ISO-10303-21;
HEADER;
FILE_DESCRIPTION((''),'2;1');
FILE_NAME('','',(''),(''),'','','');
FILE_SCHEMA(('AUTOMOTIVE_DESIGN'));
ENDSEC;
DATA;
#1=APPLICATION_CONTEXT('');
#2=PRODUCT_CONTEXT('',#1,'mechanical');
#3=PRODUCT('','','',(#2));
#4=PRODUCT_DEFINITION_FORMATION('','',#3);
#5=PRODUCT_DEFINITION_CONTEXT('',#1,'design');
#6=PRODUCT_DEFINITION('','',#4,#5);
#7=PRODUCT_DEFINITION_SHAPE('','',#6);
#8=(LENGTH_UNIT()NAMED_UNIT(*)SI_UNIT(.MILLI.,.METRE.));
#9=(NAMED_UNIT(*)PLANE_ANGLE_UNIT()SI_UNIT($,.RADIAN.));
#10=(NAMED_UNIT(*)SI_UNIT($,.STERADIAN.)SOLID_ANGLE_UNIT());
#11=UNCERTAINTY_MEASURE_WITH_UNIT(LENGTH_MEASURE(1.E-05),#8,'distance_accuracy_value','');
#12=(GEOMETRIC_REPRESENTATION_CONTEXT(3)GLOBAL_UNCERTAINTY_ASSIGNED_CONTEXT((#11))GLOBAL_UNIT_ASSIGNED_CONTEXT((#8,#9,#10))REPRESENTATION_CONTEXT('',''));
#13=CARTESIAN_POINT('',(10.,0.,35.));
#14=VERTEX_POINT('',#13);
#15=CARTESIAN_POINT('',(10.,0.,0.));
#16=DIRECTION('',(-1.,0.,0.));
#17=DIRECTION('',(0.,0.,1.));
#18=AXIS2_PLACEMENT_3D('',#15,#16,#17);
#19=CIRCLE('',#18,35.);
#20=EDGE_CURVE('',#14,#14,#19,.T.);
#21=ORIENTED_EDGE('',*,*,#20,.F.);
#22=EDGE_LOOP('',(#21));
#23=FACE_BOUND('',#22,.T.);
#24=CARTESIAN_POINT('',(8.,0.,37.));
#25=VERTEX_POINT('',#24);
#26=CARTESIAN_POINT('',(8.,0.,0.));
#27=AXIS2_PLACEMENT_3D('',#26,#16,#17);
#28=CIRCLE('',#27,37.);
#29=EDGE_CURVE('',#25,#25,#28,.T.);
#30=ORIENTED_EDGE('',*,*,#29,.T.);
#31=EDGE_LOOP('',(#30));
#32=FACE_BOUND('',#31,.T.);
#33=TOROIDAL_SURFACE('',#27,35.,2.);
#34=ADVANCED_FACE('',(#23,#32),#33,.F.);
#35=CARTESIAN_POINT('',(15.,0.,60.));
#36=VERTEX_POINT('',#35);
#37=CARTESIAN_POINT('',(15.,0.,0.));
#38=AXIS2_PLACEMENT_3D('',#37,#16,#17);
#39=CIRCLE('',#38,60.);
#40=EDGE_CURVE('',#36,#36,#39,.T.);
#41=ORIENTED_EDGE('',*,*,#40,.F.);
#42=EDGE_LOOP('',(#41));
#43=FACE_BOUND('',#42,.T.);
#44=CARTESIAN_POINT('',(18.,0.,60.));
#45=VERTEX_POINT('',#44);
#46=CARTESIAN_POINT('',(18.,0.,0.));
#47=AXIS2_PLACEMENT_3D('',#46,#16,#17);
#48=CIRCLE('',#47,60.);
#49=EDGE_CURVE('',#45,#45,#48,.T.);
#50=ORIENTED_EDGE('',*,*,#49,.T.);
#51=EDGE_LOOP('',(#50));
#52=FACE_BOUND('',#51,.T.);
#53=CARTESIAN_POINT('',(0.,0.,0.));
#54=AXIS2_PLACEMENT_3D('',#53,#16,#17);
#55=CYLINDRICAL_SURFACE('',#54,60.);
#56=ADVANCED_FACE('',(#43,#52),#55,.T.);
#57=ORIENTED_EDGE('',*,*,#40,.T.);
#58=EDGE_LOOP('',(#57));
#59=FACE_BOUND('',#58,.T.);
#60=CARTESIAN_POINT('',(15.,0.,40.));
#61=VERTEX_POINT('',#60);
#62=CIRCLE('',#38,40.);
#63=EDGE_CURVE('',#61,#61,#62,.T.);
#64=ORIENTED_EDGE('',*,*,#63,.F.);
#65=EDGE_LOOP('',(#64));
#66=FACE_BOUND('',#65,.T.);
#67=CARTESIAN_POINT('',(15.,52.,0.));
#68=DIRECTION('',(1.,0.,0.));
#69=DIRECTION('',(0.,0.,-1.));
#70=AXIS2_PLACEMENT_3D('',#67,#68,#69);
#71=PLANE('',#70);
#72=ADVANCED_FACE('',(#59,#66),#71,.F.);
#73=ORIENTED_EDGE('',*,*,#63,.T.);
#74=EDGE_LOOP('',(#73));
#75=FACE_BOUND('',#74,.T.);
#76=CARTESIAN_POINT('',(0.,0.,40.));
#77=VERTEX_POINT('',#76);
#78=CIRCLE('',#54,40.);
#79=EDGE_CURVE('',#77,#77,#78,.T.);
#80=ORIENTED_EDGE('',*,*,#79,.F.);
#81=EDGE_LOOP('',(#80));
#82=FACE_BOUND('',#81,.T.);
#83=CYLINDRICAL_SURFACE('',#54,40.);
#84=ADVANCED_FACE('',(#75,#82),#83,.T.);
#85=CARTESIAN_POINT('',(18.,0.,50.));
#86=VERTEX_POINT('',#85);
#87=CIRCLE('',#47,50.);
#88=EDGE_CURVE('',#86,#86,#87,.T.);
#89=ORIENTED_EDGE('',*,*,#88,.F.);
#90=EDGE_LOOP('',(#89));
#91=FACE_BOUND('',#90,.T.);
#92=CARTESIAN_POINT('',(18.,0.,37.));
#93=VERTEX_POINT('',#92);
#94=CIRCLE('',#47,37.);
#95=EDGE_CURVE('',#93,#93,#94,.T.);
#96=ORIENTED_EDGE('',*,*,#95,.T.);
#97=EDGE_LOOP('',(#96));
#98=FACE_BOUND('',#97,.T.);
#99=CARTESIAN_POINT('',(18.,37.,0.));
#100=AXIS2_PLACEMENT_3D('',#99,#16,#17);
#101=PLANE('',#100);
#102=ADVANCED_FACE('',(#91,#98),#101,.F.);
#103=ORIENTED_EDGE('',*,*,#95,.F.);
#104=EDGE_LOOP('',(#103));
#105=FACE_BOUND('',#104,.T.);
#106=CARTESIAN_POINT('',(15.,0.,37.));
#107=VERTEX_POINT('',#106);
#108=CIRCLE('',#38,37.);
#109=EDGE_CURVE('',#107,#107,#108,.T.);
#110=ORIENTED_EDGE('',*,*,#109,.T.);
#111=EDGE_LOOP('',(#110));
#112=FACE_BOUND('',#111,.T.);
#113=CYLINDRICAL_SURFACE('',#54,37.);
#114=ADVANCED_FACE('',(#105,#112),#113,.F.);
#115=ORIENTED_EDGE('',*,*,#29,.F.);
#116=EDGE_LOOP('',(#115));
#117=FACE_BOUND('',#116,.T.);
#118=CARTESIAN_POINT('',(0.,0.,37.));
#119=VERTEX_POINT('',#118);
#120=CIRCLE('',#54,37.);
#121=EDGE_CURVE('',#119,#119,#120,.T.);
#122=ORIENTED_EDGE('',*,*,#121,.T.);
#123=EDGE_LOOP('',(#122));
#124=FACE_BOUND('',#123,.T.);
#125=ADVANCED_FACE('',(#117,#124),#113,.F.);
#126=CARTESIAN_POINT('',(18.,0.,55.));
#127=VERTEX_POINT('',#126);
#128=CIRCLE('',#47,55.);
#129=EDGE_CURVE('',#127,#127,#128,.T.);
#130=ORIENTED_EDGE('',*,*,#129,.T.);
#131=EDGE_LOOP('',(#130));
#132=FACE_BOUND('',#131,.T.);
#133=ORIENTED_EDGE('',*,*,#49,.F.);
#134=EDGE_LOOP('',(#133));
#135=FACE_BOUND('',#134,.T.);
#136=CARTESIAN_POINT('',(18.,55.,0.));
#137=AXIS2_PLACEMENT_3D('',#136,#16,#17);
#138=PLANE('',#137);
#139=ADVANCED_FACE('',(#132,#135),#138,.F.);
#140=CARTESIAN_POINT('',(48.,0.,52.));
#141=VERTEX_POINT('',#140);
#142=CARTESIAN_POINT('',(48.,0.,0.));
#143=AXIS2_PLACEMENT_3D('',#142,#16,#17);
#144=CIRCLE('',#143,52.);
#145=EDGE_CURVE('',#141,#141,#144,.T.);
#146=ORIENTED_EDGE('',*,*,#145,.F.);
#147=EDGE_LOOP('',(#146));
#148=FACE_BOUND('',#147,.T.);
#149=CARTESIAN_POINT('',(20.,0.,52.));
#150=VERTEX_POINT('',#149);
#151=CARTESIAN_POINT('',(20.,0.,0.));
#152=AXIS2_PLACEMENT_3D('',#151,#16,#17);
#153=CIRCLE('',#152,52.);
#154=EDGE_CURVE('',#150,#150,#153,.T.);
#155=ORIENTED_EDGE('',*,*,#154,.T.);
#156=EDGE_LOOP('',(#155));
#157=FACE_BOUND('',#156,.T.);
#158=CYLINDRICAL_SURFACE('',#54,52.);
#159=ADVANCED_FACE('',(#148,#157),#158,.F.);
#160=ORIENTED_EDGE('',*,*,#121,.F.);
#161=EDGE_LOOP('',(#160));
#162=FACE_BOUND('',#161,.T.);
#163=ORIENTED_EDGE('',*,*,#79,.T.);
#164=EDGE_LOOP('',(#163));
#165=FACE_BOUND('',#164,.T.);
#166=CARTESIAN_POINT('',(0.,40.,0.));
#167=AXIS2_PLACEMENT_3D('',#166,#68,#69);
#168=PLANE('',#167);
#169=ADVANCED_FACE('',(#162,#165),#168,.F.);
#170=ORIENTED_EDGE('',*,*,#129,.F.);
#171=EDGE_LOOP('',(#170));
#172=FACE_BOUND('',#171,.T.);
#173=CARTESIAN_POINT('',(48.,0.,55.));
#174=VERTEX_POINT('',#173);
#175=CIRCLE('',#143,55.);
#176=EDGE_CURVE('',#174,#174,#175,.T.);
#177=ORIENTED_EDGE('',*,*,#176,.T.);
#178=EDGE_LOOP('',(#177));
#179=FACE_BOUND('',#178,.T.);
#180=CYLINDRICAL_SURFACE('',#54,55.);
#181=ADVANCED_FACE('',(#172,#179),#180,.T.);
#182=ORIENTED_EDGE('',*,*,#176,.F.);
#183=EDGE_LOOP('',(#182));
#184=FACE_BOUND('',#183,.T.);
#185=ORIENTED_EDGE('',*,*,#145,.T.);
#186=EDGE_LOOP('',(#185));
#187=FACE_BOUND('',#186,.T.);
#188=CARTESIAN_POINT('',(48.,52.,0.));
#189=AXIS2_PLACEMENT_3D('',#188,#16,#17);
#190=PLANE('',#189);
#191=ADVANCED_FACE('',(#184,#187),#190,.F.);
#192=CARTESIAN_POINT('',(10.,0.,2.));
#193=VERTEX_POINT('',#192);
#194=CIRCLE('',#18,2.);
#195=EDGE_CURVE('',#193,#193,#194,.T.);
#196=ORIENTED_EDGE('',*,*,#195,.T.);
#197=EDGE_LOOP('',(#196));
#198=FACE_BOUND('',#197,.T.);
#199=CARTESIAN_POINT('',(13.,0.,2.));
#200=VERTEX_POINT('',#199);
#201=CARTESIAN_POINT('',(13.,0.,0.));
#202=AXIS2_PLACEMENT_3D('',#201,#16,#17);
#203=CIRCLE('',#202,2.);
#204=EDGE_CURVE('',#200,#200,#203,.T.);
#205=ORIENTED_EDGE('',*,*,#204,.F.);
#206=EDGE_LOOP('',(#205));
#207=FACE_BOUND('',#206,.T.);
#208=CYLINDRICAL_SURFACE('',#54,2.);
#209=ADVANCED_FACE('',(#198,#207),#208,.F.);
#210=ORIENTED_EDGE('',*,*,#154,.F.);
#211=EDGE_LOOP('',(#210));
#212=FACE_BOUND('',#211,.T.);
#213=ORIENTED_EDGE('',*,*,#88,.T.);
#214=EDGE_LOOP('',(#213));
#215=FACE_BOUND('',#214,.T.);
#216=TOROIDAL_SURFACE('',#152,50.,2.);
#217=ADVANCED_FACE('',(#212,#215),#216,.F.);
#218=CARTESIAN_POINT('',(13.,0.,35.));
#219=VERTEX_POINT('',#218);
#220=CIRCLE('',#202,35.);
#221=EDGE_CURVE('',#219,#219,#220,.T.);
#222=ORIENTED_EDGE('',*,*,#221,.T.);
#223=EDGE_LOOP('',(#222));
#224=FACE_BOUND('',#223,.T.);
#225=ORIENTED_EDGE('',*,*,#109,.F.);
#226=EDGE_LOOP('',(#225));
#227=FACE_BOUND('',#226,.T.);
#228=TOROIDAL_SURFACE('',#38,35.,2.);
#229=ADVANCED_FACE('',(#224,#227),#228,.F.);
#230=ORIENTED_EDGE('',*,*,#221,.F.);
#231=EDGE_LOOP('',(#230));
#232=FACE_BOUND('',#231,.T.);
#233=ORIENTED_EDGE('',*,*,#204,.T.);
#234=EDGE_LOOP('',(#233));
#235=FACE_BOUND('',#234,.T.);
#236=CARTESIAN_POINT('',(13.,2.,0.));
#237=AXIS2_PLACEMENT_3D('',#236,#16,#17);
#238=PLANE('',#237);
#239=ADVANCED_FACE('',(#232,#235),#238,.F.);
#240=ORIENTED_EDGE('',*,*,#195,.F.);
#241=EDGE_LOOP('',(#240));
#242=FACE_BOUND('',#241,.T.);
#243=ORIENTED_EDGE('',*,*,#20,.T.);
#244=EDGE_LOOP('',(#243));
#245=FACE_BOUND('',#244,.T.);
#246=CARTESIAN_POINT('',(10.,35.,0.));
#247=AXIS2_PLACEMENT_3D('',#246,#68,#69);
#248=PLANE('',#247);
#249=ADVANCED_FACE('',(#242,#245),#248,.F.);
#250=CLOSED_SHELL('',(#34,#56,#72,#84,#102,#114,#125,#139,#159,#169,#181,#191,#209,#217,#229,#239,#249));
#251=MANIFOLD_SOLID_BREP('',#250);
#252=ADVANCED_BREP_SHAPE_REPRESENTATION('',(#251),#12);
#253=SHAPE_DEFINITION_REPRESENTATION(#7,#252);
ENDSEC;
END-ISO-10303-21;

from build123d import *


with BuildPart() as part:
    # Sketch1 → Revolve1 (revolve)
    with BuildSketch(Plane.XY, mode=Mode.PRIVATE) as revolve1_sk:
        with BuildLine():
            Line((0, 40), (0, 37))
            Line((0, 37), (8, 37))
            ThreePointArc((8, 37), (9.414213562, 36.414213562), (10, 35))
            Line((10, 35), (10, 2))
            Line((10, 2), (13, 2))
            Line((13, 2), (13, 35))
            ThreePointArc((13, 35), (13.585786438, 36.414213562), (15, 37))
            Line((15, 37), (18, 37))
            Line((18, 37), (18, 50))
            ThreePointArc((18, 50), (18.585786438, 51.414213562), (20, 52))
            Line((20, 52), (48, 52))
            Line((48, 52), (48, 55))
            Line((48, 55), (18, 55))
            Line((18, 55), (18, 60))
            Line((18, 60), (15, 60))
            Line((15, 60), (15, 52))
            Line((15, 52), (15, 40))
            Line((15, 40), (0, 40))
        make_face()
    revolve(revolve1_sk.sketch.rotate(Axis((0, 0, 0), (1, 0, 0)), 90), axis=Axis((0, 0, 0), (1, 0, 0)))


solid = part.part
